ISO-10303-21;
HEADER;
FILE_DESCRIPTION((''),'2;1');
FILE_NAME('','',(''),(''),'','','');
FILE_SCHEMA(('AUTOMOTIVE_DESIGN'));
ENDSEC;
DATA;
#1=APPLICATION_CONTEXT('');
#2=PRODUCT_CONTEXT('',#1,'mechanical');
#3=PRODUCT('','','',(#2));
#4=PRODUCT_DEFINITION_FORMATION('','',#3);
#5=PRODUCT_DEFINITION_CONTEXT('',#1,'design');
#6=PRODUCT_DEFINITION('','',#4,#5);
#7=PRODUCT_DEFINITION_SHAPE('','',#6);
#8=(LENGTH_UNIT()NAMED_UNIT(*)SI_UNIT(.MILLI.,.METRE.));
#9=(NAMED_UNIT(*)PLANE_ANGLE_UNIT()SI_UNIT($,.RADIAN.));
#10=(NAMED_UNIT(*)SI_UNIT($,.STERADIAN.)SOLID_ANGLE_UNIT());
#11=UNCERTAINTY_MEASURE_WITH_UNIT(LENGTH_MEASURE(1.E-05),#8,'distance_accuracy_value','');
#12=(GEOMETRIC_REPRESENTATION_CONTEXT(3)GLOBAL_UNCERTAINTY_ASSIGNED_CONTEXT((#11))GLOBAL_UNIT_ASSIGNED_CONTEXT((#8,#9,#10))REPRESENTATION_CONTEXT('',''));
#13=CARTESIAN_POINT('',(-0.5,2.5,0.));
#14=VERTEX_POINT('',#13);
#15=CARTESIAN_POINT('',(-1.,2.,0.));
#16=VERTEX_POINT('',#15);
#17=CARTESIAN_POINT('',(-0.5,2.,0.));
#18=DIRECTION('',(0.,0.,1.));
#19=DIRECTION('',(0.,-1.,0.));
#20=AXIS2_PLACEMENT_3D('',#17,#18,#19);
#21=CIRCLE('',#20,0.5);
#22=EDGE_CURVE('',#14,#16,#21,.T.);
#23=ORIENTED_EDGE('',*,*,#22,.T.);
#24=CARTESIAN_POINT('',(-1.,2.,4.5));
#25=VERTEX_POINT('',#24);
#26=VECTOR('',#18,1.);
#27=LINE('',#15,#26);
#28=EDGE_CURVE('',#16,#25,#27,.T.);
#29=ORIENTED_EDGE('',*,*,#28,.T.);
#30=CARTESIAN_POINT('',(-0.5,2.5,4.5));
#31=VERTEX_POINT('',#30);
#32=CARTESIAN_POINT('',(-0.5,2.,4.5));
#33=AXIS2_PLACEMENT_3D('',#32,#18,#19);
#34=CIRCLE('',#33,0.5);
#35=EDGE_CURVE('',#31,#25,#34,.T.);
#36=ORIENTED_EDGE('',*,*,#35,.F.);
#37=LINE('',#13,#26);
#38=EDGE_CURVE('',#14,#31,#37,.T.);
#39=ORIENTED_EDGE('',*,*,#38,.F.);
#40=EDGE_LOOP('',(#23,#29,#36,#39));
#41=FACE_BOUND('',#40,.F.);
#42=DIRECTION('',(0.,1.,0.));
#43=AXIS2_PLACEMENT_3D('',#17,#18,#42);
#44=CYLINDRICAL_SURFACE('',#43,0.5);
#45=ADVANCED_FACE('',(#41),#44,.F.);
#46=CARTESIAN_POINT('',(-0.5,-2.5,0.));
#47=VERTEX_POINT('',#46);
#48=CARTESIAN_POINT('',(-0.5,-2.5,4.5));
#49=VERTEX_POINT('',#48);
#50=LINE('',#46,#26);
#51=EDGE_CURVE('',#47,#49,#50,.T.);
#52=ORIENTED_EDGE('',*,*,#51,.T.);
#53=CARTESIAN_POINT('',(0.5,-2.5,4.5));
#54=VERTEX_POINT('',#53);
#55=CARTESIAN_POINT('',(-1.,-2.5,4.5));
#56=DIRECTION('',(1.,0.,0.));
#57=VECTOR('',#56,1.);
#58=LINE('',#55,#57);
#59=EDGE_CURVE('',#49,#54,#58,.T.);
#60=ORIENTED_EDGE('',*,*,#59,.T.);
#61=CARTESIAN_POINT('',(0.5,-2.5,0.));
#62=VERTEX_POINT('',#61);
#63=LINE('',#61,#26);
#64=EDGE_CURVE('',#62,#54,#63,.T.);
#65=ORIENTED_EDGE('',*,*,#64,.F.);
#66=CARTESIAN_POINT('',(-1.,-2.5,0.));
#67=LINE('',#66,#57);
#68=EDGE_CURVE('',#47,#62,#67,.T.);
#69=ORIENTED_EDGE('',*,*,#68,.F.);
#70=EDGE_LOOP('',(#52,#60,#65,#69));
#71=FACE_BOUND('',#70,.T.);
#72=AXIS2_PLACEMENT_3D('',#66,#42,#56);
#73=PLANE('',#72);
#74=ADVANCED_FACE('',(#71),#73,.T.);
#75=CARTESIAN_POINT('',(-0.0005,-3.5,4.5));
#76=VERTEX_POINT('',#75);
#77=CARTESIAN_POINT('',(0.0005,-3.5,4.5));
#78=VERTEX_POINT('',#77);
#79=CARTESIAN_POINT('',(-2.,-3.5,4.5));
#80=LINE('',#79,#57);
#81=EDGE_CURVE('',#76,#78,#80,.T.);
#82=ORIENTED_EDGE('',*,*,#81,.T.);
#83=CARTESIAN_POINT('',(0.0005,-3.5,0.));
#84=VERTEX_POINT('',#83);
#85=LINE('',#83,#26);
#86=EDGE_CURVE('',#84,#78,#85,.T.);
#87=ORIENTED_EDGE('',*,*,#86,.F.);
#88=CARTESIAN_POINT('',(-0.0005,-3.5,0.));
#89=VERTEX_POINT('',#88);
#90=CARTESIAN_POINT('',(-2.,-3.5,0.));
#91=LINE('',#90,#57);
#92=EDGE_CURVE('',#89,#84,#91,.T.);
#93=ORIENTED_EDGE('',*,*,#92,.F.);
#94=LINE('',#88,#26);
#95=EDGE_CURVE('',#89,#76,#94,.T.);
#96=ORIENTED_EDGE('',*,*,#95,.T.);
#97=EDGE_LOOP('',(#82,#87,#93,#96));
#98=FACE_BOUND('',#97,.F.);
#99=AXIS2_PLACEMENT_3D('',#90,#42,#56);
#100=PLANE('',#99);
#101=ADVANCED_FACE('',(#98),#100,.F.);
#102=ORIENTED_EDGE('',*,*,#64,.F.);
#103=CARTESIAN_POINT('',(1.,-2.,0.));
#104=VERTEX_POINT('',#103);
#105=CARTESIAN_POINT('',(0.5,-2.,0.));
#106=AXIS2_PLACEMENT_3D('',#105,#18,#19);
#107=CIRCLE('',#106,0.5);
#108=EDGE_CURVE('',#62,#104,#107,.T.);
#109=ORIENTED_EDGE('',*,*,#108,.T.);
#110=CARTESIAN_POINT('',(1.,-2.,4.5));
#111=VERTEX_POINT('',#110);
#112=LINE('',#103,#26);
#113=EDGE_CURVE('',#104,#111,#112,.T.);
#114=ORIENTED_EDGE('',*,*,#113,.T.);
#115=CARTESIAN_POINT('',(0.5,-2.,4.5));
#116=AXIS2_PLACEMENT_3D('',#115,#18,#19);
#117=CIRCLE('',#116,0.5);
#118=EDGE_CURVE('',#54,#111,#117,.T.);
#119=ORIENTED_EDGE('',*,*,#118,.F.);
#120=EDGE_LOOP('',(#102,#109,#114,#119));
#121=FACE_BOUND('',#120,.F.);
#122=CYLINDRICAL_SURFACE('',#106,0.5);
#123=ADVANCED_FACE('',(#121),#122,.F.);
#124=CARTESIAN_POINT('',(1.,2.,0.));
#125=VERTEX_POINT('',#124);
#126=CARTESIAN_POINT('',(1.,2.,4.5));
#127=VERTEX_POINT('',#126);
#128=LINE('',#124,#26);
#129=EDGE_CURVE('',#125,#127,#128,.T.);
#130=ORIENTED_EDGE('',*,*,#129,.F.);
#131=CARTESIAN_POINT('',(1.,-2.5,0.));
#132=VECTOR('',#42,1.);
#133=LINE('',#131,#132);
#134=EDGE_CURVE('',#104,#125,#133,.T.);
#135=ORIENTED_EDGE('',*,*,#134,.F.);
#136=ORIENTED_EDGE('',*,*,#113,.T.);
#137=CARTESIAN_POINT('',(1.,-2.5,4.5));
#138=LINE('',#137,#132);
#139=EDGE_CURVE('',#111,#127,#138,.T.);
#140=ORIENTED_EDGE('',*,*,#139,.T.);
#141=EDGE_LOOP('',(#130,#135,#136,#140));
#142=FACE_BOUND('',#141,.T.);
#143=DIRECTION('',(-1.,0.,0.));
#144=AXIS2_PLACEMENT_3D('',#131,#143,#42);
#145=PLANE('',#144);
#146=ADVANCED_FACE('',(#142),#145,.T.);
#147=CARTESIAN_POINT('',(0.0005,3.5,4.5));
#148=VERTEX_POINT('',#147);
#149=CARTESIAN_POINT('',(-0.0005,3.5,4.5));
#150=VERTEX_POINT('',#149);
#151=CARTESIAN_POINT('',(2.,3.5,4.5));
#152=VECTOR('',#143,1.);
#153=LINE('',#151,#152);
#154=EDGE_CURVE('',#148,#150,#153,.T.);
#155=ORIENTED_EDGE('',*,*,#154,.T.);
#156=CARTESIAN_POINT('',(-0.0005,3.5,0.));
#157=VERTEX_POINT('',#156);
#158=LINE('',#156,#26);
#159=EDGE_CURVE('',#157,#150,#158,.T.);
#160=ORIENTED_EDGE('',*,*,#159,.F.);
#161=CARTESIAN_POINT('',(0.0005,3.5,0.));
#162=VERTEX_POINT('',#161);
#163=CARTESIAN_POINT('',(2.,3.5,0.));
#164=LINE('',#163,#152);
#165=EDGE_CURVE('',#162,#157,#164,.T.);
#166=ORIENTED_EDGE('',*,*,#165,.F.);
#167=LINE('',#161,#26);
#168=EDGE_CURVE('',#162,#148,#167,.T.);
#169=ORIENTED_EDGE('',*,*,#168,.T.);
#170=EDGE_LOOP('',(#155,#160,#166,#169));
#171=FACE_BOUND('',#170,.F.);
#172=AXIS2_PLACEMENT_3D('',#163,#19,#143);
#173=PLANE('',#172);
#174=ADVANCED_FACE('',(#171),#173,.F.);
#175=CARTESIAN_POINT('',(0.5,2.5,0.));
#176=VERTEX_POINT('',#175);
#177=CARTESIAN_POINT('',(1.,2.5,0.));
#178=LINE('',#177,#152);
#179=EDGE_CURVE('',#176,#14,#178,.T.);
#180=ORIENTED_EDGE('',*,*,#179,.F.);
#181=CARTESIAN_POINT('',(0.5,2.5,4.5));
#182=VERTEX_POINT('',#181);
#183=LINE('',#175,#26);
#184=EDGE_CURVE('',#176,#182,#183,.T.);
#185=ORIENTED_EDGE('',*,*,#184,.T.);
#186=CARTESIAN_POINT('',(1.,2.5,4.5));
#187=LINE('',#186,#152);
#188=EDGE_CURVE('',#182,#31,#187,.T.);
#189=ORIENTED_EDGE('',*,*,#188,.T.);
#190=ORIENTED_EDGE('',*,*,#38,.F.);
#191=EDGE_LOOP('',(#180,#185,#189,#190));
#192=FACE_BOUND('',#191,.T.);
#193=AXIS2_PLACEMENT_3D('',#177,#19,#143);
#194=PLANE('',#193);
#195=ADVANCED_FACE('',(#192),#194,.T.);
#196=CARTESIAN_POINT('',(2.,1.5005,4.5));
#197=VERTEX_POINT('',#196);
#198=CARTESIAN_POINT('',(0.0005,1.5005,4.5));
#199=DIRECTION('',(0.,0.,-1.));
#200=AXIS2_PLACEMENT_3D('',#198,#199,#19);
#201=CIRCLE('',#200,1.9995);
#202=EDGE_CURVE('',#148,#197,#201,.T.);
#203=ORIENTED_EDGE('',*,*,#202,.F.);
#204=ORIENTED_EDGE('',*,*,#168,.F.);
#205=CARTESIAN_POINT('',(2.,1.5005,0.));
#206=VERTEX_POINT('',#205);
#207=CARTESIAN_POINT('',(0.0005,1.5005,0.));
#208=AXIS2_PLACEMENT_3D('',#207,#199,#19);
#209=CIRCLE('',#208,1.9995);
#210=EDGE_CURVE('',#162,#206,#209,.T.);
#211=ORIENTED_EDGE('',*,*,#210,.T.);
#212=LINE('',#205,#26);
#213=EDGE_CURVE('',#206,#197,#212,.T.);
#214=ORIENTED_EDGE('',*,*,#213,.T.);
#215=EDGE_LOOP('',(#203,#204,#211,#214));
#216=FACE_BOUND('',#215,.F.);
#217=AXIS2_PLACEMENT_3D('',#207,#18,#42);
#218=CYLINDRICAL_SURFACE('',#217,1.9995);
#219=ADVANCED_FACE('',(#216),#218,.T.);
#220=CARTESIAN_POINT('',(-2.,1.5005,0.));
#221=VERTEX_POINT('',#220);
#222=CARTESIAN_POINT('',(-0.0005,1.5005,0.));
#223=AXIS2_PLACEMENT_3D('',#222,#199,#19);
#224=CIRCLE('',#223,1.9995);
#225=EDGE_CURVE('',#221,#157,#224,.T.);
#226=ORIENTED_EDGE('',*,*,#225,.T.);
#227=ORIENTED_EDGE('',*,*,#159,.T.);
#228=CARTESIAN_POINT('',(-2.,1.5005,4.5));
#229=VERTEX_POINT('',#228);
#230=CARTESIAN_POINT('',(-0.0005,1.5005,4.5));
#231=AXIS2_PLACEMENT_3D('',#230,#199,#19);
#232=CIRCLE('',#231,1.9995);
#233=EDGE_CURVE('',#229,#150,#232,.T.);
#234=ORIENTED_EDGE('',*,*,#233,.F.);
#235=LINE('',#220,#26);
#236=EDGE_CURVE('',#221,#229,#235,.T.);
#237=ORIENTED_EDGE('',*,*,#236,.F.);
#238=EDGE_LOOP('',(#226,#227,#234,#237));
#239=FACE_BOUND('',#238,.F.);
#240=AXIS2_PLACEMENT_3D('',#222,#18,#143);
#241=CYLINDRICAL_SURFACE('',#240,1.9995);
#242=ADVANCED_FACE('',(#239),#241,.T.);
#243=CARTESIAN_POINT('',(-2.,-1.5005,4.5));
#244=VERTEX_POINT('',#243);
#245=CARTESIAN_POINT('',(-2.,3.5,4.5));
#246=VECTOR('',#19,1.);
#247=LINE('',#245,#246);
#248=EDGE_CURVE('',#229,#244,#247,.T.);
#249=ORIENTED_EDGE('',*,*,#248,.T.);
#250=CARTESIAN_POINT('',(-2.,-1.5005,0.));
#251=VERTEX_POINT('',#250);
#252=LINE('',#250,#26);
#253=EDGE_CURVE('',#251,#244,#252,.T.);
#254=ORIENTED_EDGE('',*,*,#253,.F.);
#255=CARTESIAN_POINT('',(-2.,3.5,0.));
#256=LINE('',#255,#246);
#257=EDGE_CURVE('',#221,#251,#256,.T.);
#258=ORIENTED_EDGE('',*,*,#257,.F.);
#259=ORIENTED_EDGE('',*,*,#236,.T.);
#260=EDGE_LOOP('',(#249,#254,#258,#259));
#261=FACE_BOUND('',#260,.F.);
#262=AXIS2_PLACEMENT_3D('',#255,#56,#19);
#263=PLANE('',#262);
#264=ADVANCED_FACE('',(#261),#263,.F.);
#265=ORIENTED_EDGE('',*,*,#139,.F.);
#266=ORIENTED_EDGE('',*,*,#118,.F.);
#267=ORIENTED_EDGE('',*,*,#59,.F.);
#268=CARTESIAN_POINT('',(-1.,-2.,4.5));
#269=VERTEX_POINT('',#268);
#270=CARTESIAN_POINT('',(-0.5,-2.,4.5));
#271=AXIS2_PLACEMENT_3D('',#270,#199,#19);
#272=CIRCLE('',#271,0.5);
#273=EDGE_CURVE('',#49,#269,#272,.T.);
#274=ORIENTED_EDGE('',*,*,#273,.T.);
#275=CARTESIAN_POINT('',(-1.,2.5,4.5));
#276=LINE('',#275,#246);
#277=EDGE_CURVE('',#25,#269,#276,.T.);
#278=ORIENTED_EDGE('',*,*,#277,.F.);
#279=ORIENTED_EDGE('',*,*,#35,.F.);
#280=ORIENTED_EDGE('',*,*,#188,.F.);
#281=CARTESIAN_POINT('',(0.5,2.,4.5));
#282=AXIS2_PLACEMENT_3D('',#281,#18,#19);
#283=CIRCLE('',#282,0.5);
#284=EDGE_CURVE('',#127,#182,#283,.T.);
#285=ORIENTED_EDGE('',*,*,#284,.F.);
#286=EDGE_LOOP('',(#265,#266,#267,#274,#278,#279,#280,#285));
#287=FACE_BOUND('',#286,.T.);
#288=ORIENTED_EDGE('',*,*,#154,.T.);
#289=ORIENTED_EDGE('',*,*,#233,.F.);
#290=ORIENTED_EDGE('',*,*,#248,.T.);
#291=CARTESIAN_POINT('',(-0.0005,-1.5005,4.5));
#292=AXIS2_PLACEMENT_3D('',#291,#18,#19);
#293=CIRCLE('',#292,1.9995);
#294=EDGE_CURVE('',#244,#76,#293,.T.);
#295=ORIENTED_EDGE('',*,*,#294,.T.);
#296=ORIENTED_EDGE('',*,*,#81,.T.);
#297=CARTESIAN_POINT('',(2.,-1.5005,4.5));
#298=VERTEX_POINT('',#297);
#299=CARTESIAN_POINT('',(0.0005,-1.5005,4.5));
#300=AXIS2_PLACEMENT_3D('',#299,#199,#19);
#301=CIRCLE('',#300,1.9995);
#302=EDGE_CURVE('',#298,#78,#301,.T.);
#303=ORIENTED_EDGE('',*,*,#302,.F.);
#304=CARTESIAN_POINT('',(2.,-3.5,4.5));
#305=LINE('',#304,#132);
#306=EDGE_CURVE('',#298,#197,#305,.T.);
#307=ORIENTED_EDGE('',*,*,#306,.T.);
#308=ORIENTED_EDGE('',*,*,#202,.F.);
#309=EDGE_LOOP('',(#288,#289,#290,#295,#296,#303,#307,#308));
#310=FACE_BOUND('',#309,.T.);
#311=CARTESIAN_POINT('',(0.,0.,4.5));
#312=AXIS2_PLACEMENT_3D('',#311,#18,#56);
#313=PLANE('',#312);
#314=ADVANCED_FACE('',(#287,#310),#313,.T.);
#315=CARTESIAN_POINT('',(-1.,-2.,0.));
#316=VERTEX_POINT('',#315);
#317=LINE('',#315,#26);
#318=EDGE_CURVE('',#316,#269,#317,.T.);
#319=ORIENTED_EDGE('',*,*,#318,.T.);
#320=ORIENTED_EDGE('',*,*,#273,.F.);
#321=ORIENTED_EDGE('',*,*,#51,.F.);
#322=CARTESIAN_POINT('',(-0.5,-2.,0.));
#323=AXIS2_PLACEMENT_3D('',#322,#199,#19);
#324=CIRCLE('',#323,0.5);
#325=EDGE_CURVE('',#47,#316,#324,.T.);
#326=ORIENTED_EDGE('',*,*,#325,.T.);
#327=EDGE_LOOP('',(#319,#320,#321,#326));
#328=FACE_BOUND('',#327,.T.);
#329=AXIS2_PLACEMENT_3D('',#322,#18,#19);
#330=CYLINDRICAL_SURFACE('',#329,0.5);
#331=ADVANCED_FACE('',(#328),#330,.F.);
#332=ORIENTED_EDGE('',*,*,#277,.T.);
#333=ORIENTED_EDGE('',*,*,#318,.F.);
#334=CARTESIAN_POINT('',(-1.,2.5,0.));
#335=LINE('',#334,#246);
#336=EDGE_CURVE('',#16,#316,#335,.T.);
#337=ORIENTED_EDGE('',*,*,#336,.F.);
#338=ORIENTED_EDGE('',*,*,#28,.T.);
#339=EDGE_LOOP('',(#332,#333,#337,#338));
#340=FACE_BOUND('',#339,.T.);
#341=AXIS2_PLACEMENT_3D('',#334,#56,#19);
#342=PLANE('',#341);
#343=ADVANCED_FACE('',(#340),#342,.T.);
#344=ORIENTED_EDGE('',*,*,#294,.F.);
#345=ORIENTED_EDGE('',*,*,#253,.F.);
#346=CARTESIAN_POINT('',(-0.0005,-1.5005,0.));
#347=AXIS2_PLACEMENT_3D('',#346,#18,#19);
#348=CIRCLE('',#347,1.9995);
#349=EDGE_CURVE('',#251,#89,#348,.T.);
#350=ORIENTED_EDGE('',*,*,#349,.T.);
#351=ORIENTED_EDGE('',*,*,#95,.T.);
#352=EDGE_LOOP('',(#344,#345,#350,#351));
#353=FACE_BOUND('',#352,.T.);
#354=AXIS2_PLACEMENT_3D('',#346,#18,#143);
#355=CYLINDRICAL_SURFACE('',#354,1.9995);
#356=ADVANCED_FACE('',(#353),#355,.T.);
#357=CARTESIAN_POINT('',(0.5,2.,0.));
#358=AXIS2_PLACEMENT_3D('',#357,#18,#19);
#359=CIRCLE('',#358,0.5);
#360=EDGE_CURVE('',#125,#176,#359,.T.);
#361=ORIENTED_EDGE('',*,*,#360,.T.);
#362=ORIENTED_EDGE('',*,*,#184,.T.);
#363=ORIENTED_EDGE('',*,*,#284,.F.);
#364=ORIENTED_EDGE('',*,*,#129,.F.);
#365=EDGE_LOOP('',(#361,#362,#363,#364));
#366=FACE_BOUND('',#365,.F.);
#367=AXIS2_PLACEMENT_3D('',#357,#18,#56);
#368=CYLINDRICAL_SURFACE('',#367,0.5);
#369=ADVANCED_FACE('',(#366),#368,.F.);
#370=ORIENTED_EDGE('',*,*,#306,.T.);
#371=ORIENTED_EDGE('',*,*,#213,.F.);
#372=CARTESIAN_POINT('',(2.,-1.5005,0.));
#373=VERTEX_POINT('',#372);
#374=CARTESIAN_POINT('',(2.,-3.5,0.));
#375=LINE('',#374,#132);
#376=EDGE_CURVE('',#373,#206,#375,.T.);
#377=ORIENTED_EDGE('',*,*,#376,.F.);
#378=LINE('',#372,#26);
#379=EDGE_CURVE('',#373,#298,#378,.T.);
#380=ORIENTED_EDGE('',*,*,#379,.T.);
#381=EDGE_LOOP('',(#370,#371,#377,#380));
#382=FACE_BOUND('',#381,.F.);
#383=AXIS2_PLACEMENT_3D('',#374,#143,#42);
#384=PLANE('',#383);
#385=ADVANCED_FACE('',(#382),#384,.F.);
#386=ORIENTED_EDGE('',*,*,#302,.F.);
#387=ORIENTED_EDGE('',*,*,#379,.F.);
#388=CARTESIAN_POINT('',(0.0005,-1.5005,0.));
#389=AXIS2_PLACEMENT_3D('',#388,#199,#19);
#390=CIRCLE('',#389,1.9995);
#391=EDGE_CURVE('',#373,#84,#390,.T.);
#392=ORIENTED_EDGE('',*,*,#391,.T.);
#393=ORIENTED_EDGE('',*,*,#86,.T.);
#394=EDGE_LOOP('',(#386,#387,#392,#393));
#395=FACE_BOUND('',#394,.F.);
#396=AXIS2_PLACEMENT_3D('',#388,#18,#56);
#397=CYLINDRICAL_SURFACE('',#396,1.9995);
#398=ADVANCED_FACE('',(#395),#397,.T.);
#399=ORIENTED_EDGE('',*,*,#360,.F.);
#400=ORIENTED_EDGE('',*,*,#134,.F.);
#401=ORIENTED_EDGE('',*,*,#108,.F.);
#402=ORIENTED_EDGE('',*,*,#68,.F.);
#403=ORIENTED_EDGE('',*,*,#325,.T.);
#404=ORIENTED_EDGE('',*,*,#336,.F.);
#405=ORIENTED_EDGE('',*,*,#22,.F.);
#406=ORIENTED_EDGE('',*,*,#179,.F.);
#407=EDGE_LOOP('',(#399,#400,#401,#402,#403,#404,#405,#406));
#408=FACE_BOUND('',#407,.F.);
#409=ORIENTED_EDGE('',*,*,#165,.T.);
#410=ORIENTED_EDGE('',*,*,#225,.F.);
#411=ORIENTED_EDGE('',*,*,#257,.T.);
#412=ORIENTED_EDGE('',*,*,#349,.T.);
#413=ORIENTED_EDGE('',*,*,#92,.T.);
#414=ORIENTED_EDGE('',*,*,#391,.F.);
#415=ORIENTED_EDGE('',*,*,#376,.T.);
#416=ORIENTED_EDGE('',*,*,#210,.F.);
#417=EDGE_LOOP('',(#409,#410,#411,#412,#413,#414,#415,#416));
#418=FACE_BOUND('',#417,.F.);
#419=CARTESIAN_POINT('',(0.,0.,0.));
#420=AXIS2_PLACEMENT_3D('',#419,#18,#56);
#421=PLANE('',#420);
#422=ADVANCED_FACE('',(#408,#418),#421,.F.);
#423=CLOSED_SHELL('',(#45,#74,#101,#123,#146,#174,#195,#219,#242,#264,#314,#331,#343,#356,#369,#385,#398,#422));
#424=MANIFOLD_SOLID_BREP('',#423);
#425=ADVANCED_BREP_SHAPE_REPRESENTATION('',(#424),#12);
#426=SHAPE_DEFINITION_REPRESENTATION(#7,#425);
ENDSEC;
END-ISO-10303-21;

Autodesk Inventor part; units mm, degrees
ref_plane "YZ Plane" through (0, 0, 0) normal (1, 0, 0) x (0, 1, 0)
ref_plane "XZ Plane" through (0, 0, 0) normal (0, 1, 0) x (-1, 0, 0)
ref_plane "XY Plane" through (0, 0, 0) normal (0, 0, 1) x (1, 0, 0)
sketch "Sketch1" plane through (0, 0, 0) normal (0, 0, 1) x (1, 0, 0)
  line L0 (-1, -2.5) -> (1, -2.5)
  line L1 (1, -2.5) -> (1, 2.5)
  line L2 (1, 2.5) -> (-1, 2.5)
  line L3 (-1, 2.5) -> (-1, -2.5)
  line L4 (-1, -2.5) -> (1, 2.5) construction
  line L5 (1, -2.5) -> (-1, 2.5) construction
  line L6 (-2, -3.5) -> (2, -3.5)
  line L7 (2, -3.5) -> (2, 3.5)
  line L8 (2, 3.5) -> (-2, 3.5)
  line L9 (-2, 3.5) -> (-2, -3.5)
  line L10 (-2, -3.5) -> (2, 3.5) construction
  line L11 (2, -3.5) -> (-2, 3.5) construction
  point P0 (0, 0)
  point P1 (0, 0)
  dimension "d5" = 2
  dimension "d6" = 5
  dimension "d7" = 4
  dimension "d8" = 7
extrude "Extrusion1" add sketch "Sketch1" along normal blind 4.5
fillet "Fillet1" radius 2 4 edges at (2, 3.5, 2.25) (-2, 3.5, 2.25) (2, -3.5, 2.25) (-2, -3.5, 2.25)
fillet "Fillet2" radius 0.5 4 edges at (-1, 2.5, 2.25) (1, 2.5, 2.25) (-1, -2.5, 2.25) (1, -2.5, 2.25)
properties part number "COILS" material "Copper"
